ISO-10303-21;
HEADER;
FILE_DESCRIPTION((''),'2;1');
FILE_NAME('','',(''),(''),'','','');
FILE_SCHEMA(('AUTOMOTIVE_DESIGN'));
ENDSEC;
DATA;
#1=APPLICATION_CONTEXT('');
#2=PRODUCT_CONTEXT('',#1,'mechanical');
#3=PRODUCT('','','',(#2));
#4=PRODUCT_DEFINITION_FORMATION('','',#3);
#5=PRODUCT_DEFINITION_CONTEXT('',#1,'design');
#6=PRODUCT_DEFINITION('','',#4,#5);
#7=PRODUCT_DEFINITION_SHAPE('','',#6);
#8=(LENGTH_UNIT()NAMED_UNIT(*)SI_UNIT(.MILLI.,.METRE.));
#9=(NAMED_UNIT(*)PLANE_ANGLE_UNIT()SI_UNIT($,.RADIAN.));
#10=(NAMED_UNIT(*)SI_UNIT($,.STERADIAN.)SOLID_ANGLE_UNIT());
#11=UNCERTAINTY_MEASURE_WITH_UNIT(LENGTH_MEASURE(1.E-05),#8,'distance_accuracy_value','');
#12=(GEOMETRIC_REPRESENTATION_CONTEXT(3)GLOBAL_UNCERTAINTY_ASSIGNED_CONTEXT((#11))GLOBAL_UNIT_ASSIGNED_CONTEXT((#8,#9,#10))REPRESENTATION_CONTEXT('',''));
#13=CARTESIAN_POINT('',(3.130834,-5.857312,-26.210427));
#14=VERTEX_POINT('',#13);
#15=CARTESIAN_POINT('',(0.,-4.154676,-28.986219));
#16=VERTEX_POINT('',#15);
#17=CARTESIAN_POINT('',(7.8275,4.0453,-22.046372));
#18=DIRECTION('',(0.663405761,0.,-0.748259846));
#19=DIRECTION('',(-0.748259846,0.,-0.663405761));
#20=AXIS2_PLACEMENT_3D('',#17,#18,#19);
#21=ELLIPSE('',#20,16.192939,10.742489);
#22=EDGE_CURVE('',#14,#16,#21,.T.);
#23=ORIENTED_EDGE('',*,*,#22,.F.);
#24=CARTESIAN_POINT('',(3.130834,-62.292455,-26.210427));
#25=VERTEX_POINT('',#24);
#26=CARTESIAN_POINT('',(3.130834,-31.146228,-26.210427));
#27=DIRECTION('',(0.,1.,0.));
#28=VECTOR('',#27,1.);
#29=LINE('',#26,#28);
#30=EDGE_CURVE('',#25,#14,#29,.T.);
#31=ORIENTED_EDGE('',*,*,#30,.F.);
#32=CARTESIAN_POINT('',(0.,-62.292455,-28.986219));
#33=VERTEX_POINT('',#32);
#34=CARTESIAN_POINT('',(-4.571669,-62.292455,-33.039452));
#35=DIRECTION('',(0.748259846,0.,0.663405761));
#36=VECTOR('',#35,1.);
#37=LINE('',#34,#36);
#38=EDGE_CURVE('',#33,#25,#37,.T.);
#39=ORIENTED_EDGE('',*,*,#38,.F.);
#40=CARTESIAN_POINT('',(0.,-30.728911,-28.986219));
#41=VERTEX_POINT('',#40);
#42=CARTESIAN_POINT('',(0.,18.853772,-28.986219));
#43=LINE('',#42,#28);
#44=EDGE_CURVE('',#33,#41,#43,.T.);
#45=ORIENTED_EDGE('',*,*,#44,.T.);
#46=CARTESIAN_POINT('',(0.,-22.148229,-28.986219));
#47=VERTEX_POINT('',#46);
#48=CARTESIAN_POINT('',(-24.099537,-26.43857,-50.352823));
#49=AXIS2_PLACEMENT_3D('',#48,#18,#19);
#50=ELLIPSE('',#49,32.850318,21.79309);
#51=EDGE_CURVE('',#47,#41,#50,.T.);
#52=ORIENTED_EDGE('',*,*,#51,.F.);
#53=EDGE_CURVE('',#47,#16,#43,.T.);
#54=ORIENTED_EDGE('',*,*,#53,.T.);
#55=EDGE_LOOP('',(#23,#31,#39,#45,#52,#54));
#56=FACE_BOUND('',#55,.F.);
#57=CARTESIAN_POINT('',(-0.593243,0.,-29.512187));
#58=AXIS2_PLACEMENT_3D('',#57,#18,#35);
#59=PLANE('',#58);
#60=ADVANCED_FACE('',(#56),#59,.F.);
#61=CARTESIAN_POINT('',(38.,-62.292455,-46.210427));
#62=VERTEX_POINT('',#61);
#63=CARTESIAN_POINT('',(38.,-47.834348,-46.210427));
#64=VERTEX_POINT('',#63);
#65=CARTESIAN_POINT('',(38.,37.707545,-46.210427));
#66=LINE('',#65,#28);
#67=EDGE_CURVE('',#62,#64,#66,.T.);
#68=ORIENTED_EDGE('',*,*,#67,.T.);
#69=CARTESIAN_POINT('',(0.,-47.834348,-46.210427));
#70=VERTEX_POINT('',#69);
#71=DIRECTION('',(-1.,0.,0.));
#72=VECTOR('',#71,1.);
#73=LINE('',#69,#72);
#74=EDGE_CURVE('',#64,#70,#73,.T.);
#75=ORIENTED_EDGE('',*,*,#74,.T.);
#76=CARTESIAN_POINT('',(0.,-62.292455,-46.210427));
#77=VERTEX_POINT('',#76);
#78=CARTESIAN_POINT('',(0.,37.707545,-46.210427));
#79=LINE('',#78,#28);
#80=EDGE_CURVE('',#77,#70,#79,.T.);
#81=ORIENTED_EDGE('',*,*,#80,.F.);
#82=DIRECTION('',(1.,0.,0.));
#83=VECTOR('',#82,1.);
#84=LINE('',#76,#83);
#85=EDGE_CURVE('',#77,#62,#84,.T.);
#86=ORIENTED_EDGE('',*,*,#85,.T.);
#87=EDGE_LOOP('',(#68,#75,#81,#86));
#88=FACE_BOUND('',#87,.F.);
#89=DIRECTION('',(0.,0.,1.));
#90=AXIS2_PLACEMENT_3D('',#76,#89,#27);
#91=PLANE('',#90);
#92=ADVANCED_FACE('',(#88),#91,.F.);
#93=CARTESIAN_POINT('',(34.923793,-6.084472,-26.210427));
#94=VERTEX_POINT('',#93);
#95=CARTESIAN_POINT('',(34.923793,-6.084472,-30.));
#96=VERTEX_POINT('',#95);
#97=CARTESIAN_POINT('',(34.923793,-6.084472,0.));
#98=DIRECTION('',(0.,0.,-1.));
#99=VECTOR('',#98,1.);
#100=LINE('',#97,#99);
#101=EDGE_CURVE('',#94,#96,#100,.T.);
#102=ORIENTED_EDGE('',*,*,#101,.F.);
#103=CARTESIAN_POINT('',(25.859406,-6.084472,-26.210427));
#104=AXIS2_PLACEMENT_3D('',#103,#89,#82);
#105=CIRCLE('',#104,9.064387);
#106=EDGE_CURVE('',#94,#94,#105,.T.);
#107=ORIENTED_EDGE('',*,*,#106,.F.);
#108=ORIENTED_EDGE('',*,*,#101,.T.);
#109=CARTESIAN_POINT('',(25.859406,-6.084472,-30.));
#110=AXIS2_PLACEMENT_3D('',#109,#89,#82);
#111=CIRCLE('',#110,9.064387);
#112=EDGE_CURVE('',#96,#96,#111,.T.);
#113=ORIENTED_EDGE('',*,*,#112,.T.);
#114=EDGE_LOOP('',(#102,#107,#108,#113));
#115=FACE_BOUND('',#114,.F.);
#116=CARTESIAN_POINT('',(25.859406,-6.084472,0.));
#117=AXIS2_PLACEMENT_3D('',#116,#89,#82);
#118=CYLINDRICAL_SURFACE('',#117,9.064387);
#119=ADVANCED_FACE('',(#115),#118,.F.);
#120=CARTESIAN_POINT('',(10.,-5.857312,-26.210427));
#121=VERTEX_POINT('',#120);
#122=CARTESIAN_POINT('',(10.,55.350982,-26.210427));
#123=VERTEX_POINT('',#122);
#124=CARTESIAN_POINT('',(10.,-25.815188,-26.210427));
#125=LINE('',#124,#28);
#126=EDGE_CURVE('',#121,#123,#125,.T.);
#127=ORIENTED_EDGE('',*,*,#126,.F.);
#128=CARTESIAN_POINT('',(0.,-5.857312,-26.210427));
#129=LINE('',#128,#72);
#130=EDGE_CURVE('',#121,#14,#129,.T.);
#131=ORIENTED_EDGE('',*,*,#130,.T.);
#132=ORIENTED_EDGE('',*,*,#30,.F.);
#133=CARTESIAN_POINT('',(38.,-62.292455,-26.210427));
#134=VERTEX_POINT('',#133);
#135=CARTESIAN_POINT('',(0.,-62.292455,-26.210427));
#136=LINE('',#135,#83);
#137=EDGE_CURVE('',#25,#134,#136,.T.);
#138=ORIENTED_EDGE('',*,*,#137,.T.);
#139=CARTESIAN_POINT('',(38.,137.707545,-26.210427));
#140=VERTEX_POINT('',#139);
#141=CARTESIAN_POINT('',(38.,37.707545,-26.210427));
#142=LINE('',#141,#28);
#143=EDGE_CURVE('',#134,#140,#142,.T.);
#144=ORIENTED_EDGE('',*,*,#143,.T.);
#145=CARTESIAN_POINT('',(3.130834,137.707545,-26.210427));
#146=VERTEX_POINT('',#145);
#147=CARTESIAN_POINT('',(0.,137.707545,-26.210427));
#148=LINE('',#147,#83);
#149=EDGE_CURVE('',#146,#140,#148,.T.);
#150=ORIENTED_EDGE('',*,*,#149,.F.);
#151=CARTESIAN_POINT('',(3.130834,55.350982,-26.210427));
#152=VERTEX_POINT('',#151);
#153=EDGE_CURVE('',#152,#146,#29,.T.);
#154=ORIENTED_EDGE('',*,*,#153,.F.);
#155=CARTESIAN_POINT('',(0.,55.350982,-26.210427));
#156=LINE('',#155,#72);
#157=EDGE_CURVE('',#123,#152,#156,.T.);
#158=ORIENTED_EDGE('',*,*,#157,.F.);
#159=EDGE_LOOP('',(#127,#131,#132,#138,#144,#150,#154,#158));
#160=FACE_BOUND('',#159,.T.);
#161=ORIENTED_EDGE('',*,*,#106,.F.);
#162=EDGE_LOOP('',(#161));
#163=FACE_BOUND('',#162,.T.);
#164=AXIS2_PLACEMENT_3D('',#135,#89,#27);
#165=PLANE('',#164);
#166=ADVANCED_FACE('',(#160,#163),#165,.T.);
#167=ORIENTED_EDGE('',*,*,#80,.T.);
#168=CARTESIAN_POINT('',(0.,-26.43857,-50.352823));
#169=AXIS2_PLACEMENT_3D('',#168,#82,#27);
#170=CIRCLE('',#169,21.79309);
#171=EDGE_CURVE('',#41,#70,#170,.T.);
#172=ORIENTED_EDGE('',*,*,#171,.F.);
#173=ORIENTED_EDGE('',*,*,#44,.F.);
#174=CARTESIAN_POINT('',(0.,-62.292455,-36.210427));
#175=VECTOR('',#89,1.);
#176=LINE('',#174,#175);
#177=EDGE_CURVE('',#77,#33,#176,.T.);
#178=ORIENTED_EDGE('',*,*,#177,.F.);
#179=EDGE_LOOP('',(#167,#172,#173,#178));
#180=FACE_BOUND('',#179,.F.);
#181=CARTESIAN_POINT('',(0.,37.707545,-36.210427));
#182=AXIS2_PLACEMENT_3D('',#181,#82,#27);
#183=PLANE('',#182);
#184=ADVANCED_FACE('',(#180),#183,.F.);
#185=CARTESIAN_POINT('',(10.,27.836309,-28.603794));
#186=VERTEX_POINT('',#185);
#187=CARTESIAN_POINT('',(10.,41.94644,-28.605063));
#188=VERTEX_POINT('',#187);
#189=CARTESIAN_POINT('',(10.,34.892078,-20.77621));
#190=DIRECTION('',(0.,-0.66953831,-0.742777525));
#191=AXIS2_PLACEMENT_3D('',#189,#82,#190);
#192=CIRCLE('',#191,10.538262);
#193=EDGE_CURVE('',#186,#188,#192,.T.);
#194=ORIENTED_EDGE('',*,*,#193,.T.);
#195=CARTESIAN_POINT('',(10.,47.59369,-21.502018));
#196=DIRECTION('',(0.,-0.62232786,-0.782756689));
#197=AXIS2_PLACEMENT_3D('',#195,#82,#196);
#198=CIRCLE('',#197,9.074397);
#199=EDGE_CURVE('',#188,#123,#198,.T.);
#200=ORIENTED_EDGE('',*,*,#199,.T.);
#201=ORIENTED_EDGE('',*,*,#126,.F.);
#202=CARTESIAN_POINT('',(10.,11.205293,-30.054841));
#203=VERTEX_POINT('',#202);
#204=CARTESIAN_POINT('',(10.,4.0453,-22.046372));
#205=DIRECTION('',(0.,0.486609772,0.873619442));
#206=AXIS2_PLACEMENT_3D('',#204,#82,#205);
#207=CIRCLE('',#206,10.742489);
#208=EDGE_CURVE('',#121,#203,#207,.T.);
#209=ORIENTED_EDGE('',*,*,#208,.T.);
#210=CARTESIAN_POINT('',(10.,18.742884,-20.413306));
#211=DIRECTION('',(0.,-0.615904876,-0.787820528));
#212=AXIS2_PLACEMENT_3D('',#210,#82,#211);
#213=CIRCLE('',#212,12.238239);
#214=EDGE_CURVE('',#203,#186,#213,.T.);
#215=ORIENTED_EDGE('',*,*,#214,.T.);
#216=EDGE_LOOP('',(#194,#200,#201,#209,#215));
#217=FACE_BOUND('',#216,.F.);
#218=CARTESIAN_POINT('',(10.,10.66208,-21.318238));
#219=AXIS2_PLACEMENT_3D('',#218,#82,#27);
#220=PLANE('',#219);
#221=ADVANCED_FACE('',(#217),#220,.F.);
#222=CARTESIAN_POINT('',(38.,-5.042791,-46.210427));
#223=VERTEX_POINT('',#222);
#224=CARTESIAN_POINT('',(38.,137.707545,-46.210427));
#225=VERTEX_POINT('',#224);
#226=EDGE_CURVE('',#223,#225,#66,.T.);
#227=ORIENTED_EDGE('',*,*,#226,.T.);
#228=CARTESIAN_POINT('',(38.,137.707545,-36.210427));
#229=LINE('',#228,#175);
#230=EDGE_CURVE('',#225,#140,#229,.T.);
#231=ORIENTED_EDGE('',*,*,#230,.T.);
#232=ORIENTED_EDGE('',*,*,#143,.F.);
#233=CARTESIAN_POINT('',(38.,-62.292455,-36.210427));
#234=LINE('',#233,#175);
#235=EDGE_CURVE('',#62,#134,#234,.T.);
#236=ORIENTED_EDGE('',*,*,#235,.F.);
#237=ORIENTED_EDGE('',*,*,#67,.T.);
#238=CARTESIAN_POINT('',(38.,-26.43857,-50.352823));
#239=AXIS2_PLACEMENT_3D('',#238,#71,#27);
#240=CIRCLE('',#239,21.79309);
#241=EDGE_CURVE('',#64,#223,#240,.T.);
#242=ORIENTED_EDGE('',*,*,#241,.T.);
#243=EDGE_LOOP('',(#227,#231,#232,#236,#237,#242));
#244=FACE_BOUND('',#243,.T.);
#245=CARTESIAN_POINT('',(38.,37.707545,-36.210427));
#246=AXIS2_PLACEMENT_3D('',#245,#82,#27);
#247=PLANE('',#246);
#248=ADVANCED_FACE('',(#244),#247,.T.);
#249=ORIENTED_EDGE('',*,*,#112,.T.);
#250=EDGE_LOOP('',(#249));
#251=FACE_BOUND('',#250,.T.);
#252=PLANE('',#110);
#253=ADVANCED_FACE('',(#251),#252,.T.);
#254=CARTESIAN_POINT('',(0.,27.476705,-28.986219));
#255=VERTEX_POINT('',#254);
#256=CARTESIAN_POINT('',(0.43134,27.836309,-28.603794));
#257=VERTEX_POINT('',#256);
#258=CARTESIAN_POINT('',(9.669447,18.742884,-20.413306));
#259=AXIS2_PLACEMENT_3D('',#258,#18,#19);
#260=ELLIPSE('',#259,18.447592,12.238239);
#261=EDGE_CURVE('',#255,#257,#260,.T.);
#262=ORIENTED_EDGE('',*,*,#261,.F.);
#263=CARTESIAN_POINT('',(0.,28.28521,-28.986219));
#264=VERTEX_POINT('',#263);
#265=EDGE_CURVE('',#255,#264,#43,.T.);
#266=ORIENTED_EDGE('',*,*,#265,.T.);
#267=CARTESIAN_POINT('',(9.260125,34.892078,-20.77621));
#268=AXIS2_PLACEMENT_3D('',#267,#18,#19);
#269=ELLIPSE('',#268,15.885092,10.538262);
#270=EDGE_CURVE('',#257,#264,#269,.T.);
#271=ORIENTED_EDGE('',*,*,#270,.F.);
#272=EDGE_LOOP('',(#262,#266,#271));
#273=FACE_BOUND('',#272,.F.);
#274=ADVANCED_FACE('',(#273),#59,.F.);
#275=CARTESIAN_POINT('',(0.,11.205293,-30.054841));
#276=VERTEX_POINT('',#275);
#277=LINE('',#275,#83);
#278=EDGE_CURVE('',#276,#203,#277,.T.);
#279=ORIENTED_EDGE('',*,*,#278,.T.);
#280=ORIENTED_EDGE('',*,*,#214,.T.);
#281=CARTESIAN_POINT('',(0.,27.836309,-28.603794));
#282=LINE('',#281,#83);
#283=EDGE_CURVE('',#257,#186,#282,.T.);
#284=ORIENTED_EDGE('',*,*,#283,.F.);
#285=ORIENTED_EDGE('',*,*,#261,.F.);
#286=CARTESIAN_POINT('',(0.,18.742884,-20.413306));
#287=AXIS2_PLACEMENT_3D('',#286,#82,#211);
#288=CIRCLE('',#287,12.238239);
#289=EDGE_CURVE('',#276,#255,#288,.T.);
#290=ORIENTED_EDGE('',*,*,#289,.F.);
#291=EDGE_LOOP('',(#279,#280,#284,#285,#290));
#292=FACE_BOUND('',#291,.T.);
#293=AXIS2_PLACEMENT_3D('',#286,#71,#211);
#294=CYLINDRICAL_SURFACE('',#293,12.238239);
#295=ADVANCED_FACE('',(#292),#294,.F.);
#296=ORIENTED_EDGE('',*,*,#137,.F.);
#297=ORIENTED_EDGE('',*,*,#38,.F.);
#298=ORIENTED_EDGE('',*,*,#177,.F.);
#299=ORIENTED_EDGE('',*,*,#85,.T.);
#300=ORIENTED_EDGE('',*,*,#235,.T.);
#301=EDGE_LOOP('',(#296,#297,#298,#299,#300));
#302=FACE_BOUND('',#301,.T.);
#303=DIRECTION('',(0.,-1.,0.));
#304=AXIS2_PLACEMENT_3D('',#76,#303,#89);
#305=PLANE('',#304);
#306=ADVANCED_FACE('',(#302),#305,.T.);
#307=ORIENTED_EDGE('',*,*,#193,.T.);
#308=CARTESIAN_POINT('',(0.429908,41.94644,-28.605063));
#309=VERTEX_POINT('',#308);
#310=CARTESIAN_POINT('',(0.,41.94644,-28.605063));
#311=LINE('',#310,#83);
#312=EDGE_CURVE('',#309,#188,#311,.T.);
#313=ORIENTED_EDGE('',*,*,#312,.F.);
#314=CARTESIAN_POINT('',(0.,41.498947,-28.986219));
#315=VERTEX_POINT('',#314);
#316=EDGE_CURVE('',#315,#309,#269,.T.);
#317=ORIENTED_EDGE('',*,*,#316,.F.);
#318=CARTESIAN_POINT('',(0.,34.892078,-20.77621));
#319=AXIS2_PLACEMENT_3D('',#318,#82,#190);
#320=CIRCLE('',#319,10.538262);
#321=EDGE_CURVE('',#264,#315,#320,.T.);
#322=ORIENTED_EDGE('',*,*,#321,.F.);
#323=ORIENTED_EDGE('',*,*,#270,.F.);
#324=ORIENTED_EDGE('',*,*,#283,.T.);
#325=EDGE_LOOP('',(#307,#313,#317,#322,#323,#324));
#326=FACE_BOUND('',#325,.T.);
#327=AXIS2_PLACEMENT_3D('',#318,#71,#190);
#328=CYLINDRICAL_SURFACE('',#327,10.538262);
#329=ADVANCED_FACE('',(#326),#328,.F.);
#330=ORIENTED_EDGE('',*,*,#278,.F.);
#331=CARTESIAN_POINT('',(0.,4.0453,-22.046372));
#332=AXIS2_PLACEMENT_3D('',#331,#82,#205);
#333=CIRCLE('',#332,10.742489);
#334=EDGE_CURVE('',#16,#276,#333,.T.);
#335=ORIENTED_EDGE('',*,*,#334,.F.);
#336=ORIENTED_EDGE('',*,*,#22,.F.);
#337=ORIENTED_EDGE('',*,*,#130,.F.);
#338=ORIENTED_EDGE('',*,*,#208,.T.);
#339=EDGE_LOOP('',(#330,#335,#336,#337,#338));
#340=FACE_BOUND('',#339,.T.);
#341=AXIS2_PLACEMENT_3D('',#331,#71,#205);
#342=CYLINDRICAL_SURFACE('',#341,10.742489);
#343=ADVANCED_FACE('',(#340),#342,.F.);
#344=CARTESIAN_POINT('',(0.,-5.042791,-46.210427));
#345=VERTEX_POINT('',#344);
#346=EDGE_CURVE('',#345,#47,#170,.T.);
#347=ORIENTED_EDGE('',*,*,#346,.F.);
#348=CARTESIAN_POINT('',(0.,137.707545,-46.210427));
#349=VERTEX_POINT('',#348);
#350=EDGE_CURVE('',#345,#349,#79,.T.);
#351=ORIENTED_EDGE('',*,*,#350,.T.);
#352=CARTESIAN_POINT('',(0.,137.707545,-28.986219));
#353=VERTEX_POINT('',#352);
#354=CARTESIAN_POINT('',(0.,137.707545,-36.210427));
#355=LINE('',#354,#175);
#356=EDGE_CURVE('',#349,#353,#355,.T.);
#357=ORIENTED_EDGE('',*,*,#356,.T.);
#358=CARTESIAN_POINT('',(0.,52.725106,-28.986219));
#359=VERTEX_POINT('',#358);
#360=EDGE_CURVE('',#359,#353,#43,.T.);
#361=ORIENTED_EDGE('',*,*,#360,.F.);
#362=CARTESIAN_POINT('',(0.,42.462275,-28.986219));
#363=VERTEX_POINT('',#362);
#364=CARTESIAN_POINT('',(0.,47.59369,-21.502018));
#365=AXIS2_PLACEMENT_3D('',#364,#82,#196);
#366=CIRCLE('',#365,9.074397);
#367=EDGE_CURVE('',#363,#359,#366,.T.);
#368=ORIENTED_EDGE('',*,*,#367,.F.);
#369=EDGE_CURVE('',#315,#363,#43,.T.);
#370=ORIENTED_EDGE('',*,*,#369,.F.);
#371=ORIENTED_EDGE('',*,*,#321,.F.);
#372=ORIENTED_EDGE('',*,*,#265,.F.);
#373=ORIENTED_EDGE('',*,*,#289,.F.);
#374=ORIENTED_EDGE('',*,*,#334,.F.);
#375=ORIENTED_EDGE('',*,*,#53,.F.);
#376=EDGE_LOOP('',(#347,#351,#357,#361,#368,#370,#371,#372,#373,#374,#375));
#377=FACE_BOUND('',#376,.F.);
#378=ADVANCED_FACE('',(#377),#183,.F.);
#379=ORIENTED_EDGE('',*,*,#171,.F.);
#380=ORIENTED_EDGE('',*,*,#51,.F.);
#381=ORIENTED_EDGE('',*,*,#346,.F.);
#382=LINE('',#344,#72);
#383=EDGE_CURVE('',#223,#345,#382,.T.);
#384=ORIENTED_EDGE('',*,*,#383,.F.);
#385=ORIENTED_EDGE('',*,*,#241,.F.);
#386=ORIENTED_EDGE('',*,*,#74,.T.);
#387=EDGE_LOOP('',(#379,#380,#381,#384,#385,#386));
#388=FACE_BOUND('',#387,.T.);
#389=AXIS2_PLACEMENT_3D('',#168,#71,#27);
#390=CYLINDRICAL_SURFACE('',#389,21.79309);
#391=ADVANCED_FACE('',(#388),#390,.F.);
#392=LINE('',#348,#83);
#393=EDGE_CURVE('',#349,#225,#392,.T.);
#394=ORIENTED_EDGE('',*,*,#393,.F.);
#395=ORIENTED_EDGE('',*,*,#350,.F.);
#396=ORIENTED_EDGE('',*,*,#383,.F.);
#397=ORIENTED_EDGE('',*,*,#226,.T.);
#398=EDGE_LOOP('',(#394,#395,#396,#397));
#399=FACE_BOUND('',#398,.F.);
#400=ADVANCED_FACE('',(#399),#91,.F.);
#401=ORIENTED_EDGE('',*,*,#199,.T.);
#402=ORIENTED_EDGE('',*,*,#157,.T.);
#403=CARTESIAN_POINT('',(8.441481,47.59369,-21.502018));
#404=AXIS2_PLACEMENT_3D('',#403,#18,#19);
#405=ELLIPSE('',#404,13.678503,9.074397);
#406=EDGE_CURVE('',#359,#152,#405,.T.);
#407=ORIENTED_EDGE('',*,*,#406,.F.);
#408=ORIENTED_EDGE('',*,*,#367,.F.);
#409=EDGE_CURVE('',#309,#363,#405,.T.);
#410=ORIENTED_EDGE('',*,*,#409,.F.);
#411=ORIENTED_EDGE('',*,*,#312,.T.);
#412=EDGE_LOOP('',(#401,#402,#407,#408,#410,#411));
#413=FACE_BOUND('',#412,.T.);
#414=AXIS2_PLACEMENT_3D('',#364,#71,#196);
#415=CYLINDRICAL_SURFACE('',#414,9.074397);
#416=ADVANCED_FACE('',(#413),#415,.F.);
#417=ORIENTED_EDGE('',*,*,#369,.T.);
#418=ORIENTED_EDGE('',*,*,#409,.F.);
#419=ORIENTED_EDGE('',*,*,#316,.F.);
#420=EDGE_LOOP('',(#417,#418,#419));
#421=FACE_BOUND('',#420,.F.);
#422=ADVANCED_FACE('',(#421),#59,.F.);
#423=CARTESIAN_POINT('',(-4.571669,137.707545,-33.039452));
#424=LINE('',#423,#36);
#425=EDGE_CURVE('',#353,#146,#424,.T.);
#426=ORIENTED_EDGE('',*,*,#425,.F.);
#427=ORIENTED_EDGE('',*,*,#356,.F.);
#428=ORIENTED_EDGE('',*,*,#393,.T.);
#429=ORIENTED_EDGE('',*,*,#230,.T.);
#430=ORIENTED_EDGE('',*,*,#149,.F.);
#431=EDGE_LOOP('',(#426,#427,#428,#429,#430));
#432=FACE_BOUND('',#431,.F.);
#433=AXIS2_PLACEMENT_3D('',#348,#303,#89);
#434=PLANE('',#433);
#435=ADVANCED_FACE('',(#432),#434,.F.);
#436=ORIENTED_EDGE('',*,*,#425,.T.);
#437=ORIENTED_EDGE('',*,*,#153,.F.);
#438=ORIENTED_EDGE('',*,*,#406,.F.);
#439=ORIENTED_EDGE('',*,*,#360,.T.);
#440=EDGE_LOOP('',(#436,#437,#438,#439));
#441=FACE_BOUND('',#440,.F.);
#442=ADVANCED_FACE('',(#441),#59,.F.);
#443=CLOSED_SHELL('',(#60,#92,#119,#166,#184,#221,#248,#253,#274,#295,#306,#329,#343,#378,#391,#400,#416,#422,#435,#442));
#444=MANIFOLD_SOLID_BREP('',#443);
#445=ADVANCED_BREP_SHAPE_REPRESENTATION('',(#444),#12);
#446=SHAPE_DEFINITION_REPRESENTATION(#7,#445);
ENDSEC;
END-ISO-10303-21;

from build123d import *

# Parameters (mm, degrees)
F0_W     = 200
F0_H     = 20
F1_DEPTH = 38
F2_R     = 21.793090142
F3_DEPTH = 90
F5_DEPTH = 10
F6_R     = 9.0643869575
F7_DEPTH = 30
F9_DEPTH = 500


with BuildPart() as f1:
    # F0 (on Right) → F1 (new body)
    with BuildSketch(Plane.YZ):
        with Locations((37.7075445842, -36.2104274062)):
            Rectangle(F0_W, F0_H)
    extrude(amount=F1_DEPTH)

    # F2 (on Right) → F3 (cut)
    with BuildSketch(Plane.YZ):
        with Locations((-26.4385696501, -50.3528229892)):
            Circle(F2_R)
    extrude(amount=F3_DEPTH, mode=Mode.SUBTRACT)

    # F4 (on Right) → F5 (cut)
    with BuildSketch(Plane.YZ):
        with BuildLine():
            ThreePointArc((11.2052927819, -30.0548411677), (13.8513494477, -26.4329954922), (14.787788926, -22.0463722944))
            ThreePointArc((14.787788926, -22.0463722944), (13.3069508893, -16.6036806846), (9.2726999384, -12.6615248637))
            ThreePointArc((9.2726999384, -12.6615248637), (6.5794975023, -21.7647944508), (11.2052927819, -30.0548411677))
        make_face()
        with BuildLine():
            ThreePointArc((9.2726999384, -12.6615248637), (13.3069508893, -16.6036806846), (14.787788926, -22.0463722944))
            ThreePointArc((14.787788926, -22.0463722944), (13.8513494477, -26.4329954922), (11.2052927819, -30.0548411677))
            ThreePointArc((11.2052927819, -30.0548411677), (19.8066220011, -32.6052268486), (27.8363086721, -28.6037941775))
            ThreePointArc((27.8363086721, -28.6037941775), (24.3564768067, -20.5394542894), (28.1950566672, -12.6395737651))
            ThreePointArc((28.1950566672, -12.6395737651), (18.7286864775, -8.1750752909), (9.2726999384, -12.6615248637))
        make_face()
        with BuildLine():
            ThreePointArc((11.2052927819, -30.0548411677), (6.5794975023, -21.7647944508), (9.2726999384, -12.6615248637))
            ThreePointArc((9.2726999384, -12.6615248637), (-6.6314854274, -23.2326830707), (11.2052927819, -30.0548411677))
        make_face()
        with BuildLine():
            ThreePointArc((42.792336068, -13.8019084932), (35.7285589591, -10.2711993263), (28.1950566672, -12.6395737651))
            ThreePointArc((28.1950566672, -12.6395737651), (30.2635700166, -16.2843509129), (30.9811221322, -20.4133056104))
            ThreePointArc((30.9811221322, -20.4133056104), (30.1678997374, -24.800045706), (27.8363086721, -28.6037941775))
            ThreePointArc((27.8363086721, -28.6037941775), (34.8911306198, -31.3144718481), (41.9464400799, -28.6050633204))
            ThreePointArc((41.9464400799, -28.6050633204), (38.534072164, -20.984324628), (42.792336068, -13.8019084932))
        make_face()
        with BuildLine():
            ThreePointArc((30.9811221322, -20.4133056104), (30.2635700166, -16.2843509129), (28.1950566672, -12.6395737651))
            ThreePointArc((28.1950566672, -12.6395737651), (24.3564768067, -20.5394542894), (27.8363086721, -28.6037941775))
            ThreePointArc((27.8363086721, -28.6037941775), (30.1678997374, -24.800045706), (30.9811221322, -20.4133056104))
        make_face()
        with BuildLine():
            ThreePointArc((56.6680879545, -21.5020179749), (51.9968309101, -13.5674704697), (42.792336068, -13.8019084932))
            ThreePointArc((42.792336068, -13.8019084932), (44.7488004803, -17.0479416086), (45.430340027, -20.7762103528))
            ThreePointArc((45.430340027, -20.7762103528), (44.5200498141, -25.0607318438), (41.9464400799, -28.6050633204))
            ThreePointArc((41.9464400799, -28.6050633204), (51.5369946086, -29.674841375), (56.6680879545, -21.5020179749))
        make_face()
        with BuildLine():
            ThreePointArc((45.430340027, -20.7762103528), (44.7488004803, -17.0479416086), (42.792336068, -13.8019084932))
            ThreePointArc((42.792336068, -13.8019084932), (38.534072164, -20.984324628), (41.9464400799, -28.6050633204))
            ThreePointArc((41.9464400799, -28.6050633204), (44.5200498141, -25.0607318438), (45.430340027, -20.7762103528))
        make_face()
    extrude(amount=F5_DEPTH, mode=Mode.SUBTRACT)

    # F6 (on Top) → F7 (cut)
    with BuildSketch(Plane.XY):
        with Locations((25.8594062179, -6.084471941)):
            Circle(F6_R)
    extrude(amount=-F7_DEPTH, mode=Mode.SUBTRACT)

    # F8 (on Front) → F9 (cut, symmetric)
    with BuildSketch(Plane.XZ):
        Polygon((-0.5932430504, -29.512187466), (3.8069577422, -25.6109777838), (-0.5932430504, -25.7017035037), align=None)
    extrude(amount=F9_DEPTH, both=True, mode=Mode.SUBTRACT)


solid = f1.part
